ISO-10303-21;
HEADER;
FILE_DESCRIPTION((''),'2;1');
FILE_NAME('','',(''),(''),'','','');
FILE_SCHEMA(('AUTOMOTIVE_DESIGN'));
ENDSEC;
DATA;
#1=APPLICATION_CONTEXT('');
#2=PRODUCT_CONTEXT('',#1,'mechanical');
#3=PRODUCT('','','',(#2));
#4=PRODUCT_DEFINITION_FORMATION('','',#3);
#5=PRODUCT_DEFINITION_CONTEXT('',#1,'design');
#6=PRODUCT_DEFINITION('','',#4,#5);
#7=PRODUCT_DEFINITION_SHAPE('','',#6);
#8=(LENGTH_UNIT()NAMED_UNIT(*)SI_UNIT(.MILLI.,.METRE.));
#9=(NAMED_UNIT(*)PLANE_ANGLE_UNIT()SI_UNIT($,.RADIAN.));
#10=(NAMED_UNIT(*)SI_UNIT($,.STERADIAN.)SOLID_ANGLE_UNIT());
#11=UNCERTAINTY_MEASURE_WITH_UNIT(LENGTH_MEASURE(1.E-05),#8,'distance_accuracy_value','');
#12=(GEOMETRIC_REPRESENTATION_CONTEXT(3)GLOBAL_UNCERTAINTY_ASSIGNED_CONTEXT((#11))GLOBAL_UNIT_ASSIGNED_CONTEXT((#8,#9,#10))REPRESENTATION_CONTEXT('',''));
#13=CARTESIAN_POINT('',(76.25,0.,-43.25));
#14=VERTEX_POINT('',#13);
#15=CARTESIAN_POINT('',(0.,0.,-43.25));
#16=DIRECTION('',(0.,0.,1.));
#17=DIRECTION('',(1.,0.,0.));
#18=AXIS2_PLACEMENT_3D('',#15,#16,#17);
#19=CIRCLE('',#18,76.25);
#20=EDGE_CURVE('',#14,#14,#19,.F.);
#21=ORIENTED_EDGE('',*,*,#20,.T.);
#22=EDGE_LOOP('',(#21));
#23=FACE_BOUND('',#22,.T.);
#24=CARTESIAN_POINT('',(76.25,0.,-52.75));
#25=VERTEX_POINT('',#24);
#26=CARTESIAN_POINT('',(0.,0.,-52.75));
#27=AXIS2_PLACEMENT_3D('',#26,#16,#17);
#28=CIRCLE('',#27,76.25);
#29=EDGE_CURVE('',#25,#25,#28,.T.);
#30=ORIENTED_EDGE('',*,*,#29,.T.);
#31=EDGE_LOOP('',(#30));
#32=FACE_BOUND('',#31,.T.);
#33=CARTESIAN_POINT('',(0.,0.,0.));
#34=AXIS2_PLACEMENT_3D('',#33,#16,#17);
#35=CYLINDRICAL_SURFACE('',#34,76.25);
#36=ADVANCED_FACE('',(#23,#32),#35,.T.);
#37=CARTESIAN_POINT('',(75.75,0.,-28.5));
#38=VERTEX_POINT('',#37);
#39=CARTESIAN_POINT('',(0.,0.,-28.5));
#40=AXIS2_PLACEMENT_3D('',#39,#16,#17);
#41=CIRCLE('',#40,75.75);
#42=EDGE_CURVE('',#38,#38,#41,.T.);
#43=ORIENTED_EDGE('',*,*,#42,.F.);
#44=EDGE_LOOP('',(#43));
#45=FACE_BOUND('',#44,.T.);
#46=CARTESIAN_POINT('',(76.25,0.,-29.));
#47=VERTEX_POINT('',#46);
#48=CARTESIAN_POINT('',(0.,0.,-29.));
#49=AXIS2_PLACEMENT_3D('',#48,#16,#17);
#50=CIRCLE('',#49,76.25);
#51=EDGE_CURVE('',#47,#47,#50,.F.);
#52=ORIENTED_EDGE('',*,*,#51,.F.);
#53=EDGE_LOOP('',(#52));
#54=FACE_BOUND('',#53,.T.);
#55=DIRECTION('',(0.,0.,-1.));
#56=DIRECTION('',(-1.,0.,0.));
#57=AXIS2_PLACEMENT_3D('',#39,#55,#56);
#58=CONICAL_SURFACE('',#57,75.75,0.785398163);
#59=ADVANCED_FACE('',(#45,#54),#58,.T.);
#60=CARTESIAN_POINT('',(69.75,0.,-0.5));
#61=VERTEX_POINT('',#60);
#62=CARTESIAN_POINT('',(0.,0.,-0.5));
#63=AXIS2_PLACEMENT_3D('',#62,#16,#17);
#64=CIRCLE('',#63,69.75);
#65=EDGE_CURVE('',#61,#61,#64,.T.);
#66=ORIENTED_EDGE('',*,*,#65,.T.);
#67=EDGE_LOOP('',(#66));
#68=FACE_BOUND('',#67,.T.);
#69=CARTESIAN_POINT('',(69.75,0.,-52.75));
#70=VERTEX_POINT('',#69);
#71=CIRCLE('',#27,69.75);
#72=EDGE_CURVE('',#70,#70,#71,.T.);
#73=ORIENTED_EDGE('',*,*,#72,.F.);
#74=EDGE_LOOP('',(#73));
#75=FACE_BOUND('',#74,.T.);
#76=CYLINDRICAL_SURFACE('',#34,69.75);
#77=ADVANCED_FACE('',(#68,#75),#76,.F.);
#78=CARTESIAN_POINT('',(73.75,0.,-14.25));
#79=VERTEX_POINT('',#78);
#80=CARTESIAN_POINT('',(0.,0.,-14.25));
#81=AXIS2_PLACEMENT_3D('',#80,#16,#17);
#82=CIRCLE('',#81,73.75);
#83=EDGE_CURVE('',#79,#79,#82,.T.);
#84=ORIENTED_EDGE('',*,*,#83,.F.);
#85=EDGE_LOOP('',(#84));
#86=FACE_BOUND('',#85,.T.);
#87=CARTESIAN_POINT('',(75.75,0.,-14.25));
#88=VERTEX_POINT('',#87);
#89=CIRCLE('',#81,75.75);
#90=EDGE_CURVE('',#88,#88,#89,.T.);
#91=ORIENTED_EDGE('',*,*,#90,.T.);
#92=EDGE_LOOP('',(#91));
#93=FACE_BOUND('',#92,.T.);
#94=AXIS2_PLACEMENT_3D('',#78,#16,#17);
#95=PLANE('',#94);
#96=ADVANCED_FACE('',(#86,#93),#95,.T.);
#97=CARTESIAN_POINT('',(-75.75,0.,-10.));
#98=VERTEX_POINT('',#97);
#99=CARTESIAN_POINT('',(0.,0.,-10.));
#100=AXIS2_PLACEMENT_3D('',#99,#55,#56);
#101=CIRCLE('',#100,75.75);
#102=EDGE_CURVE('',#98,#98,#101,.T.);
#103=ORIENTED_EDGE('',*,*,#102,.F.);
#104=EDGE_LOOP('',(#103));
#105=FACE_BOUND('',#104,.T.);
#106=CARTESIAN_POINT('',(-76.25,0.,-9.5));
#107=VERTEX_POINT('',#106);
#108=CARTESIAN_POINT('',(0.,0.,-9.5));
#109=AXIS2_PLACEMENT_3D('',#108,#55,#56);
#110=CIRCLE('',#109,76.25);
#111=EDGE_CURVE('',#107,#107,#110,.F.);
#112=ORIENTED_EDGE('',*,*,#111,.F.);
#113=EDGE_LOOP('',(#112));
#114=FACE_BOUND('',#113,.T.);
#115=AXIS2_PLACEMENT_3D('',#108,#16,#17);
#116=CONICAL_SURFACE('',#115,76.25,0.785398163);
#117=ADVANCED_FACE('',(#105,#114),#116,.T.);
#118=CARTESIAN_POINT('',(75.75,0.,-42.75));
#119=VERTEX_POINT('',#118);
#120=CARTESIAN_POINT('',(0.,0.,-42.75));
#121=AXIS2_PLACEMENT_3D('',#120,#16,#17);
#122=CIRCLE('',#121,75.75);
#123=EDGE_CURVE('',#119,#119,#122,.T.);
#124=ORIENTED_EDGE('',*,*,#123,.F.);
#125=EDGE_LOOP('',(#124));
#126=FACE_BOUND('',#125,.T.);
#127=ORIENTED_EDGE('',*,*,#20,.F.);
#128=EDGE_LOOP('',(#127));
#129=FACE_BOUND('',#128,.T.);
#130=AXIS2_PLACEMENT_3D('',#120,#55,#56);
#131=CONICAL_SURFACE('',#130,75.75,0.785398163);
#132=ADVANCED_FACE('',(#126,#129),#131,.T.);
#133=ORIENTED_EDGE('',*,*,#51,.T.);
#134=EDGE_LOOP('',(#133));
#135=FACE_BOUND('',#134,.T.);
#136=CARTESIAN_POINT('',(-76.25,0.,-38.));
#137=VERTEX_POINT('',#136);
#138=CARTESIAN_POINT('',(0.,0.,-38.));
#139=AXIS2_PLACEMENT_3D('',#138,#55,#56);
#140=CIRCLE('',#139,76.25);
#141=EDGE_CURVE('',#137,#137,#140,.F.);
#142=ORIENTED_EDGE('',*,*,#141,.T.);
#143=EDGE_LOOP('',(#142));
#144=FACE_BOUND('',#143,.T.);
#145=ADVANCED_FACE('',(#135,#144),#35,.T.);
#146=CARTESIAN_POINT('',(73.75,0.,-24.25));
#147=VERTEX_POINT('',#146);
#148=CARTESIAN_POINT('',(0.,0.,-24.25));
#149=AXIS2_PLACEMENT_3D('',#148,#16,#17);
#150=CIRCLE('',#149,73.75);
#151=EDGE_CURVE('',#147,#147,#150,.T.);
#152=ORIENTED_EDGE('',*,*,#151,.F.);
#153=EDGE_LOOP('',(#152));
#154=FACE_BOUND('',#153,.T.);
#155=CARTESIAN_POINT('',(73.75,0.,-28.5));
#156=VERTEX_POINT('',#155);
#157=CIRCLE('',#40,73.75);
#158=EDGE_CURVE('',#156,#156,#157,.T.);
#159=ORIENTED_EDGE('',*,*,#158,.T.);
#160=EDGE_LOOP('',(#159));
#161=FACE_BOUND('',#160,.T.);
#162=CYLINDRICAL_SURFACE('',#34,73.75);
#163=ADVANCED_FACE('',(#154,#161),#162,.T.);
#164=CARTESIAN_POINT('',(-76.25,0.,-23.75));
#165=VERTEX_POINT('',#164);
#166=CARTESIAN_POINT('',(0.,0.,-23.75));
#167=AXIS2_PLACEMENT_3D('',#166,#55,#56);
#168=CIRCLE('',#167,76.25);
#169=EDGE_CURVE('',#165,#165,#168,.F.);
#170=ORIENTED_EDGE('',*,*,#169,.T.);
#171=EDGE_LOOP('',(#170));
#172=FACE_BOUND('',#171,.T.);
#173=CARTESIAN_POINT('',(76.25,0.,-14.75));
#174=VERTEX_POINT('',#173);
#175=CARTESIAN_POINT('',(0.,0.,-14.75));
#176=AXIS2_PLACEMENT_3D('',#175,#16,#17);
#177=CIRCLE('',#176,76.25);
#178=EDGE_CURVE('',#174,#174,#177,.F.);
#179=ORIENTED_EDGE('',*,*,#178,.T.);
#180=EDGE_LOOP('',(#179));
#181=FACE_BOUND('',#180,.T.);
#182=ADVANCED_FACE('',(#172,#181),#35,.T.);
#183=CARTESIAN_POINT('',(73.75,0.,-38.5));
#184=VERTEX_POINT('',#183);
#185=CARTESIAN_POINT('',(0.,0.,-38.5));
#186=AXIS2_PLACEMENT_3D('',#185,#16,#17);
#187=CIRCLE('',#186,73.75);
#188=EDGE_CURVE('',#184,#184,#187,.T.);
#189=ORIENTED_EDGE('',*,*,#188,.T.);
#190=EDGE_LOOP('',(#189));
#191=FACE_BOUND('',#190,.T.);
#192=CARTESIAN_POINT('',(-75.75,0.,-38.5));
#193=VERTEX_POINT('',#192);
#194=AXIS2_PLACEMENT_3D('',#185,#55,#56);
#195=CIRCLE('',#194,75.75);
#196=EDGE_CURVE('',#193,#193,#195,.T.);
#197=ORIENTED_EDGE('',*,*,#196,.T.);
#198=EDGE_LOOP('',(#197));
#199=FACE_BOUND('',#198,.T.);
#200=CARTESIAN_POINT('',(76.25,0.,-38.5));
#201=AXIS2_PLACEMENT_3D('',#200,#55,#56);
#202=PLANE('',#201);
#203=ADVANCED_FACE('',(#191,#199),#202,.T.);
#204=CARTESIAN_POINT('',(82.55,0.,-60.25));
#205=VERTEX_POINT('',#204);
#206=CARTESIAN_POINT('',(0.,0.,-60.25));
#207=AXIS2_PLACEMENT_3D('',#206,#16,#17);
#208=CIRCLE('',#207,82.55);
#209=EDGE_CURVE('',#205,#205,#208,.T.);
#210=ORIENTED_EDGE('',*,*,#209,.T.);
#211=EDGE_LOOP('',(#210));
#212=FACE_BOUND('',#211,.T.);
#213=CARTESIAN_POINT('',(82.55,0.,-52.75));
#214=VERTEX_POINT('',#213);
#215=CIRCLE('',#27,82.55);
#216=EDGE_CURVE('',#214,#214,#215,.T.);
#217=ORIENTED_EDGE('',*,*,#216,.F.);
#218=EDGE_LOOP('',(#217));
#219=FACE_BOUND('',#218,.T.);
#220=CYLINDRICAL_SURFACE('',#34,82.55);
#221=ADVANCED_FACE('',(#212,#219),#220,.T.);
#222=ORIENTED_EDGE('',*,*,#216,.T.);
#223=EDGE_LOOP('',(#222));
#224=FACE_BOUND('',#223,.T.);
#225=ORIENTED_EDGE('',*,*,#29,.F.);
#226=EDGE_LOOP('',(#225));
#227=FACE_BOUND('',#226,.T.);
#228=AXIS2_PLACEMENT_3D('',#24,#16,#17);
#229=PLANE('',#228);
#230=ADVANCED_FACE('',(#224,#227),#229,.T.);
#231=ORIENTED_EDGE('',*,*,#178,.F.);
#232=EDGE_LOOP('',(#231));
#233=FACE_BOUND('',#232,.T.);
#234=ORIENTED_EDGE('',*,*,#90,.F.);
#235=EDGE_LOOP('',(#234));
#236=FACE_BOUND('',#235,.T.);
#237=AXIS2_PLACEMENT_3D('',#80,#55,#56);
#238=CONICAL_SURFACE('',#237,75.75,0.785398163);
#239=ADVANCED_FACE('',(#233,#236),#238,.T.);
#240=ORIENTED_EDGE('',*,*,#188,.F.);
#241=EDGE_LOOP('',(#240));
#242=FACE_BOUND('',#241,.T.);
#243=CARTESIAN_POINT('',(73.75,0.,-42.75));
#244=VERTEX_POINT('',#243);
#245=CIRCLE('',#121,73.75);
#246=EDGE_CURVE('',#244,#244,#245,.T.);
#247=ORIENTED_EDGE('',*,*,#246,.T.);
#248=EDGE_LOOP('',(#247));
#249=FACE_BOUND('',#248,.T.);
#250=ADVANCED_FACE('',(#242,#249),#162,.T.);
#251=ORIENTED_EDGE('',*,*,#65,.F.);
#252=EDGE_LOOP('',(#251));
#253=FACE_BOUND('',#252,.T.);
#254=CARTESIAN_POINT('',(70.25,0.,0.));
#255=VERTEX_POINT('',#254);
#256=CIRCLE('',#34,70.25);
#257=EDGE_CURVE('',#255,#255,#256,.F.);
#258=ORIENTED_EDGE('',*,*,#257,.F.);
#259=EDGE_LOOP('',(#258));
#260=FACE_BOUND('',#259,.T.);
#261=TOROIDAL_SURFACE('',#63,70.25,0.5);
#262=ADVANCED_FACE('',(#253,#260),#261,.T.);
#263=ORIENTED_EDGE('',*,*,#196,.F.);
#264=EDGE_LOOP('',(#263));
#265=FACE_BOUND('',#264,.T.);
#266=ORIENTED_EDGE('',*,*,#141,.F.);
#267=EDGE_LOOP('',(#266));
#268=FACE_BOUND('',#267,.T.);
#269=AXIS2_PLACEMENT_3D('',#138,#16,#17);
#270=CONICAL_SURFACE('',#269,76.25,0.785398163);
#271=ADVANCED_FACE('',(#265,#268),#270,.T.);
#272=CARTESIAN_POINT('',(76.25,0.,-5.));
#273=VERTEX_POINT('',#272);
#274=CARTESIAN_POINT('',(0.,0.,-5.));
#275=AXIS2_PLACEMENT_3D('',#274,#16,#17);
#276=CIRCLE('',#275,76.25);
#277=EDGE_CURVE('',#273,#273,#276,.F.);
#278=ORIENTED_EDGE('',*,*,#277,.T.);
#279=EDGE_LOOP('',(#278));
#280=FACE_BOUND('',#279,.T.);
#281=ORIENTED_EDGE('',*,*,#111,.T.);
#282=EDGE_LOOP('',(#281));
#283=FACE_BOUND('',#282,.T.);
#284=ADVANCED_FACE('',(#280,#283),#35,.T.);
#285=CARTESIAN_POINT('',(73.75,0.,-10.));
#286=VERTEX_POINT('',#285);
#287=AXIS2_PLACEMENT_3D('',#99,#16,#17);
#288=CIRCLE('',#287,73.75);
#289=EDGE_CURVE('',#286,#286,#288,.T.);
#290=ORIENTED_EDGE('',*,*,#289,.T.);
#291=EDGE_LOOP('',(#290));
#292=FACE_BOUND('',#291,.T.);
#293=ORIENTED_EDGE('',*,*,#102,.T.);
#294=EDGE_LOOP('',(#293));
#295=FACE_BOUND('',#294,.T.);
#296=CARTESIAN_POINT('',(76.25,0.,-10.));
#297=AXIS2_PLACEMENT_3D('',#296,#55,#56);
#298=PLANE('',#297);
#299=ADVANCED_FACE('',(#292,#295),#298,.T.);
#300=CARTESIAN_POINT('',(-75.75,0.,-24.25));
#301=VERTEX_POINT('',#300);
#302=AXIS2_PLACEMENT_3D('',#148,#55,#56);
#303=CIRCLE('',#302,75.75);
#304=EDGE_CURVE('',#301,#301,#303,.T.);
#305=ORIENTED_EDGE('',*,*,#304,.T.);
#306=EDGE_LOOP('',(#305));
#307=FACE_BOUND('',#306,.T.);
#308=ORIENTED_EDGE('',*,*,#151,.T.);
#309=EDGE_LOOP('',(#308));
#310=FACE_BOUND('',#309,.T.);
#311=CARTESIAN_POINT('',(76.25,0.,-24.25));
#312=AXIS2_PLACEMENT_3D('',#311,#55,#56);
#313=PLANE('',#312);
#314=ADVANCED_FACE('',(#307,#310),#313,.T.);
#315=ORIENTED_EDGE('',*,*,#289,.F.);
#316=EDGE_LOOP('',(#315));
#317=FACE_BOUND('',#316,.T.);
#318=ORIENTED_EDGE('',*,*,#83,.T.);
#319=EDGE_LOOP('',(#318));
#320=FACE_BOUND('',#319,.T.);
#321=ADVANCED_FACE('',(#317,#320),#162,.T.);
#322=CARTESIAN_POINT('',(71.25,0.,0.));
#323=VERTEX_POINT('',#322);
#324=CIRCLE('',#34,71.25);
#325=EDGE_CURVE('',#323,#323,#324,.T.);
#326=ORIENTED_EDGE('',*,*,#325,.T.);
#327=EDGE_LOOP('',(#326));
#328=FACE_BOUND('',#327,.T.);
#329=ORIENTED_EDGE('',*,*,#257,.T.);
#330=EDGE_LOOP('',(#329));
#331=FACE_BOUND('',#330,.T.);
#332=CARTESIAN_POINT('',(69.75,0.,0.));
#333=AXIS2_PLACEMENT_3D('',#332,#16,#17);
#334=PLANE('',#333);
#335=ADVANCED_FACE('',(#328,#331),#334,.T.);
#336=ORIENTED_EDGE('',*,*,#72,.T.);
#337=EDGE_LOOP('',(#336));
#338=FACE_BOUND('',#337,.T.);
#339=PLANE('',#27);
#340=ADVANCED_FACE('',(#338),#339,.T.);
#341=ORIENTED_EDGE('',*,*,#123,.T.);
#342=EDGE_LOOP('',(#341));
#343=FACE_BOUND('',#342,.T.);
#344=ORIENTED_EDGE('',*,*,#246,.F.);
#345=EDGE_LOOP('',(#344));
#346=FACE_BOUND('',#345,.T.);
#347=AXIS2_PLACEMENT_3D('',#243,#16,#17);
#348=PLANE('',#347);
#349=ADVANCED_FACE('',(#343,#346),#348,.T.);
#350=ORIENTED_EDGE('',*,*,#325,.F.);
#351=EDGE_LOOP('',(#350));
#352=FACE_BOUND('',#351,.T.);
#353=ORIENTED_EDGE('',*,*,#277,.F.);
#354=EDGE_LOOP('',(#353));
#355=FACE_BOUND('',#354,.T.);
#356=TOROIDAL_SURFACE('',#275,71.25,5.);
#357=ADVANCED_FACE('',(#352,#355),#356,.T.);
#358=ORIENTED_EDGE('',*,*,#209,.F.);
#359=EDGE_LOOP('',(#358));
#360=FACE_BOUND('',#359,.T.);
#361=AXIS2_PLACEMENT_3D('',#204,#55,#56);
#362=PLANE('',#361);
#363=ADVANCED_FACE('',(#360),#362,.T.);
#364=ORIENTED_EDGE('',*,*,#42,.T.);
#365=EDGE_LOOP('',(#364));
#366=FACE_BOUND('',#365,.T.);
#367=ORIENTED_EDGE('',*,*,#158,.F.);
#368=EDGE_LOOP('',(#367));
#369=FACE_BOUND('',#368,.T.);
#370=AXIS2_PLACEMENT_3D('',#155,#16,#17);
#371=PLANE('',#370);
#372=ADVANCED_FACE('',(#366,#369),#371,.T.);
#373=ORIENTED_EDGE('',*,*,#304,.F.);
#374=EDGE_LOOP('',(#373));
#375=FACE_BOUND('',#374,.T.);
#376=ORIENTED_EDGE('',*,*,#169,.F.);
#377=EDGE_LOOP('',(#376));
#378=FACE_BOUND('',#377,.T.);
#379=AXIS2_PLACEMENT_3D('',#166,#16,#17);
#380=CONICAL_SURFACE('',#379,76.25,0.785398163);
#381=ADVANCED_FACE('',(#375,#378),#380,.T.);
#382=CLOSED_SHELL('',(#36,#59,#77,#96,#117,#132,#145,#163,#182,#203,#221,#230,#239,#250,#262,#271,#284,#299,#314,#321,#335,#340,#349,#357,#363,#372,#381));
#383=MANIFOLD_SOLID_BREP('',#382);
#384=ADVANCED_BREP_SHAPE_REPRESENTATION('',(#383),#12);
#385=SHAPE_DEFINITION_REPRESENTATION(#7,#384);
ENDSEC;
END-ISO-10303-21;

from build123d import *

# Parameters (mm, degrees)
CHAMFER1_SIZE = 0.5
FILLET1_R     = 5
FILLET2_R     = 0.5


with BuildPart() as part:
    # Sketch1 → Revolve1 (revolve)
    with BuildSketch(Plane(origin=(0, 0, 0), x_dir=(1, 0, 0), z_dir=(0, 1, 0))):
        Polygon((69.75, 0), (76.25, 0), (76.25, 10), (73.75, 10), (73.75, 14.25), (76.25, 14.25), (76.25, 24.25), (73.75, 24.25), (73.75, 28.5), (76.25, 28.5), (76.25, 38.5), (73.75, 38.5), (73.75, 42.75), (76.25, 42.75), (76.25, 52.75), (82.55, 52.75), (82.55, 60.25), (0, 60.25), (0, 52.75), (69.75, 52.75), align=None)
    revolve(axis=Axis((0, 0, 0), (0, 0, -1)))

    # Chamfer1
    chamfer1_edges = [part.edges().sort_by_distance(p)[0] for p in [
        (-76.25, 0, -14.25),
        (-76.25, 0, -24.25),
        (-76.25, 0, -28.5),
        (-76.25, 0, -38.5),
        (-76.25, 0, -42.75),
        (-76.25, 0, -10),
    ]]
    chamfer(chamfer1_edges, length=CHAMFER1_SIZE)

    # Fillet1
    fillet1_edges = [part.edges().sort_by_distance(p)[0] for p in [
        (-76.25, 0, 0),
    ]]
    fillet(fillet1_edges, radius=FILLET1_R)

    # Fillet2
    fillet2_edges = [part.edges().sort_by_distance(p)[0] for p in [
        (-69.75, 0, 0),
    ]]
    fillet(fillet2_edges, radius=FILLET2_R)


solid = part.part
